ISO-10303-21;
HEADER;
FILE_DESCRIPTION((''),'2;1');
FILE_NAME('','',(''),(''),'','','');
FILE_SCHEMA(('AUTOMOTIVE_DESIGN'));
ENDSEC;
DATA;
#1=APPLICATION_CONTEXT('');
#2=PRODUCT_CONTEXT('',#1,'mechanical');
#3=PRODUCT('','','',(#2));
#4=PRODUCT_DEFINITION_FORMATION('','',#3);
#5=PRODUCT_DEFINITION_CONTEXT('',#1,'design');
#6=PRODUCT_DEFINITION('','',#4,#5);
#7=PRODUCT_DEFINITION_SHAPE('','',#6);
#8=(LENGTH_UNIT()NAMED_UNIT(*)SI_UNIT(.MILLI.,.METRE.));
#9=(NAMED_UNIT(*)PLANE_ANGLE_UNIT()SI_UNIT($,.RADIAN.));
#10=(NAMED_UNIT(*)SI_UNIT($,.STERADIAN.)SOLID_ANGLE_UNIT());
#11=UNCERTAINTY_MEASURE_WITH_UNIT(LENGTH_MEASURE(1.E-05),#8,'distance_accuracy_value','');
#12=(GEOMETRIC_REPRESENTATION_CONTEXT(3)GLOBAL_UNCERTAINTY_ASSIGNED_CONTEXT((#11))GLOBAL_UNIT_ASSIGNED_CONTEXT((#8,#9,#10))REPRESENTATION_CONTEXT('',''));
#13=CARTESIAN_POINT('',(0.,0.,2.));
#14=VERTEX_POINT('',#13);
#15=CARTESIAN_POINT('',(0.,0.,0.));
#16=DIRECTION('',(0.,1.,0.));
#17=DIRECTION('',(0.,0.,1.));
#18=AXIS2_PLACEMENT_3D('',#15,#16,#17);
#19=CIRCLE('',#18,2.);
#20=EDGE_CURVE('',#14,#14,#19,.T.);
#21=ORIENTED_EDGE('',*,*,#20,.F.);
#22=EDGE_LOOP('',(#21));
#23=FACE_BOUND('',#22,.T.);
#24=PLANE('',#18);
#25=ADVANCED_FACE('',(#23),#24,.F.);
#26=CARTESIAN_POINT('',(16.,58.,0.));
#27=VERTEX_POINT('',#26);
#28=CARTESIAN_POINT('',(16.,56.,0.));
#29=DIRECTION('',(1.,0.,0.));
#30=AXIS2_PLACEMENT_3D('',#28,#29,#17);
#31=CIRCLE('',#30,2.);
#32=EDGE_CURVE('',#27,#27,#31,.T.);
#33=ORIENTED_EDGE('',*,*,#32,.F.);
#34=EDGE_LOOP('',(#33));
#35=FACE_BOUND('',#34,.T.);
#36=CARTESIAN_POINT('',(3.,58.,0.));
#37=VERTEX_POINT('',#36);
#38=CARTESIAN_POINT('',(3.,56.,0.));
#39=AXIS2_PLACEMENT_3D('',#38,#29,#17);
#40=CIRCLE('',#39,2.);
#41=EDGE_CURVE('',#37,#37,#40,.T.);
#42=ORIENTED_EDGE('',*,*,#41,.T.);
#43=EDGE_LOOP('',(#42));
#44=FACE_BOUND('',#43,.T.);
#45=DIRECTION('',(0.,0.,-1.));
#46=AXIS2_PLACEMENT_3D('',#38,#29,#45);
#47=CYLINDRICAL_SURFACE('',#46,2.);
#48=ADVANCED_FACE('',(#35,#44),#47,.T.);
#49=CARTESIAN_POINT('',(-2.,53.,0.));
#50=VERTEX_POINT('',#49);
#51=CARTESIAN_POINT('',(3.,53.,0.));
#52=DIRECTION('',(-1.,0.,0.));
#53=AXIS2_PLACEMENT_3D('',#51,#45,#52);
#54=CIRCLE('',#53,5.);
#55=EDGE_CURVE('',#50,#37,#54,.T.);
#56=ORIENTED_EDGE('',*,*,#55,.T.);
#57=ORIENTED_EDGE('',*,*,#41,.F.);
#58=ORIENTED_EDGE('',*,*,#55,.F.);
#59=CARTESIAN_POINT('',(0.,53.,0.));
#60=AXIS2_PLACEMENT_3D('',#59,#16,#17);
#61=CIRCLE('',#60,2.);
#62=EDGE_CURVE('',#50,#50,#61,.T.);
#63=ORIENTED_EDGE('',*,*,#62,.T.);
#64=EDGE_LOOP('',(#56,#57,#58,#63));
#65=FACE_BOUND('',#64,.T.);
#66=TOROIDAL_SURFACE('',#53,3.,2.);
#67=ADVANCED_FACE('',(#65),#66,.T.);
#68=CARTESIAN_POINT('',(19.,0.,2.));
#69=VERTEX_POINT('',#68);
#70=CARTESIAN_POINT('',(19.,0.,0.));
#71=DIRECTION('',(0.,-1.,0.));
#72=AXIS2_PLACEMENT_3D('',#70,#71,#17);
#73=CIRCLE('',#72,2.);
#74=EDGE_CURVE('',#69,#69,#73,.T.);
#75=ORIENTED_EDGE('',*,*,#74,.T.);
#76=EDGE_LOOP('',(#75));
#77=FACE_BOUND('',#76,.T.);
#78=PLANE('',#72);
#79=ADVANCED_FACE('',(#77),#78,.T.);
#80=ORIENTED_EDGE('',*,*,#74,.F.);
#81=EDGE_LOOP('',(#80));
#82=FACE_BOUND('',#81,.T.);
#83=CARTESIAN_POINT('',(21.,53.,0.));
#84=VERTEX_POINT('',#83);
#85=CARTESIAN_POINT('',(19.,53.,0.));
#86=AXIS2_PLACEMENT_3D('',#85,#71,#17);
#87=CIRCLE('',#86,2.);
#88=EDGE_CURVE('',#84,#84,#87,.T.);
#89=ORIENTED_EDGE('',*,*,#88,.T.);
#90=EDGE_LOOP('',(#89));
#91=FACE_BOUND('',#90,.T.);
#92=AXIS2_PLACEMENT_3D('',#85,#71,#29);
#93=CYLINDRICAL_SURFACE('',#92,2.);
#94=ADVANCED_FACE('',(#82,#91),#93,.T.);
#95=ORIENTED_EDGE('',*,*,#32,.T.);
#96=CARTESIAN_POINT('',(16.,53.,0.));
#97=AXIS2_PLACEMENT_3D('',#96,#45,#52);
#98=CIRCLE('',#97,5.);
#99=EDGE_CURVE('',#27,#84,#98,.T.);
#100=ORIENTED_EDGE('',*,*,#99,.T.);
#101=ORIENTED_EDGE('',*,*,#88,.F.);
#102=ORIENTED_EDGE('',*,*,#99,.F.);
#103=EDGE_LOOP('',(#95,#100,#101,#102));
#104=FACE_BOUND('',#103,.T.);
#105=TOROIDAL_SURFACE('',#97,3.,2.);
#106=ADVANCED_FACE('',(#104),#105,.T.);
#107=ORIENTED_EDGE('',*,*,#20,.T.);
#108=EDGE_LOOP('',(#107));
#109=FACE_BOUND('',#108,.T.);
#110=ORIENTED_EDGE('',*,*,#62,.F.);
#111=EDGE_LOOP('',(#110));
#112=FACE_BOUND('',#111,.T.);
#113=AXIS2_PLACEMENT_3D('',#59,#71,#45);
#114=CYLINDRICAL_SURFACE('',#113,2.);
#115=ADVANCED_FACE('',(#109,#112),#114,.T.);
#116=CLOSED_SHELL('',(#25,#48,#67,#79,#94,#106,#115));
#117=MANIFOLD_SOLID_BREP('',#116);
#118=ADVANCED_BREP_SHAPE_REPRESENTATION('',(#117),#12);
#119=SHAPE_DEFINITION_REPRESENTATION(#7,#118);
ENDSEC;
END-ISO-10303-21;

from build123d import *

# Parameters (mm, degrees)
ESQUISSE2_R = 2


with BuildPart() as part:
    # Balayage1: sweep along a path in Esquisse1
    with BuildLine(Plane.XY) as balayage1_path:
        Line((0, 0), (0, 53))
        ThreePointArc((0, 53), (0.878679656, 55.121320344), (3, 56))
        Line((3, 56), (16, 56))
        ThreePointArc((16, 56), (18.121320344, 55.121320344), (19, 53))
        Line((19, 53), (19, 0))
    # Esquisse2 → Balayage1 (sweep)
    with BuildSketch(Plane(origin=(0, 0, 0), x_dir=(1, 0, 0), z_dir=(0, 1, 0))):
        Circle(ESQUISSE2_R)
    sweep(path=balayage1_path.line)


solid = part.part
